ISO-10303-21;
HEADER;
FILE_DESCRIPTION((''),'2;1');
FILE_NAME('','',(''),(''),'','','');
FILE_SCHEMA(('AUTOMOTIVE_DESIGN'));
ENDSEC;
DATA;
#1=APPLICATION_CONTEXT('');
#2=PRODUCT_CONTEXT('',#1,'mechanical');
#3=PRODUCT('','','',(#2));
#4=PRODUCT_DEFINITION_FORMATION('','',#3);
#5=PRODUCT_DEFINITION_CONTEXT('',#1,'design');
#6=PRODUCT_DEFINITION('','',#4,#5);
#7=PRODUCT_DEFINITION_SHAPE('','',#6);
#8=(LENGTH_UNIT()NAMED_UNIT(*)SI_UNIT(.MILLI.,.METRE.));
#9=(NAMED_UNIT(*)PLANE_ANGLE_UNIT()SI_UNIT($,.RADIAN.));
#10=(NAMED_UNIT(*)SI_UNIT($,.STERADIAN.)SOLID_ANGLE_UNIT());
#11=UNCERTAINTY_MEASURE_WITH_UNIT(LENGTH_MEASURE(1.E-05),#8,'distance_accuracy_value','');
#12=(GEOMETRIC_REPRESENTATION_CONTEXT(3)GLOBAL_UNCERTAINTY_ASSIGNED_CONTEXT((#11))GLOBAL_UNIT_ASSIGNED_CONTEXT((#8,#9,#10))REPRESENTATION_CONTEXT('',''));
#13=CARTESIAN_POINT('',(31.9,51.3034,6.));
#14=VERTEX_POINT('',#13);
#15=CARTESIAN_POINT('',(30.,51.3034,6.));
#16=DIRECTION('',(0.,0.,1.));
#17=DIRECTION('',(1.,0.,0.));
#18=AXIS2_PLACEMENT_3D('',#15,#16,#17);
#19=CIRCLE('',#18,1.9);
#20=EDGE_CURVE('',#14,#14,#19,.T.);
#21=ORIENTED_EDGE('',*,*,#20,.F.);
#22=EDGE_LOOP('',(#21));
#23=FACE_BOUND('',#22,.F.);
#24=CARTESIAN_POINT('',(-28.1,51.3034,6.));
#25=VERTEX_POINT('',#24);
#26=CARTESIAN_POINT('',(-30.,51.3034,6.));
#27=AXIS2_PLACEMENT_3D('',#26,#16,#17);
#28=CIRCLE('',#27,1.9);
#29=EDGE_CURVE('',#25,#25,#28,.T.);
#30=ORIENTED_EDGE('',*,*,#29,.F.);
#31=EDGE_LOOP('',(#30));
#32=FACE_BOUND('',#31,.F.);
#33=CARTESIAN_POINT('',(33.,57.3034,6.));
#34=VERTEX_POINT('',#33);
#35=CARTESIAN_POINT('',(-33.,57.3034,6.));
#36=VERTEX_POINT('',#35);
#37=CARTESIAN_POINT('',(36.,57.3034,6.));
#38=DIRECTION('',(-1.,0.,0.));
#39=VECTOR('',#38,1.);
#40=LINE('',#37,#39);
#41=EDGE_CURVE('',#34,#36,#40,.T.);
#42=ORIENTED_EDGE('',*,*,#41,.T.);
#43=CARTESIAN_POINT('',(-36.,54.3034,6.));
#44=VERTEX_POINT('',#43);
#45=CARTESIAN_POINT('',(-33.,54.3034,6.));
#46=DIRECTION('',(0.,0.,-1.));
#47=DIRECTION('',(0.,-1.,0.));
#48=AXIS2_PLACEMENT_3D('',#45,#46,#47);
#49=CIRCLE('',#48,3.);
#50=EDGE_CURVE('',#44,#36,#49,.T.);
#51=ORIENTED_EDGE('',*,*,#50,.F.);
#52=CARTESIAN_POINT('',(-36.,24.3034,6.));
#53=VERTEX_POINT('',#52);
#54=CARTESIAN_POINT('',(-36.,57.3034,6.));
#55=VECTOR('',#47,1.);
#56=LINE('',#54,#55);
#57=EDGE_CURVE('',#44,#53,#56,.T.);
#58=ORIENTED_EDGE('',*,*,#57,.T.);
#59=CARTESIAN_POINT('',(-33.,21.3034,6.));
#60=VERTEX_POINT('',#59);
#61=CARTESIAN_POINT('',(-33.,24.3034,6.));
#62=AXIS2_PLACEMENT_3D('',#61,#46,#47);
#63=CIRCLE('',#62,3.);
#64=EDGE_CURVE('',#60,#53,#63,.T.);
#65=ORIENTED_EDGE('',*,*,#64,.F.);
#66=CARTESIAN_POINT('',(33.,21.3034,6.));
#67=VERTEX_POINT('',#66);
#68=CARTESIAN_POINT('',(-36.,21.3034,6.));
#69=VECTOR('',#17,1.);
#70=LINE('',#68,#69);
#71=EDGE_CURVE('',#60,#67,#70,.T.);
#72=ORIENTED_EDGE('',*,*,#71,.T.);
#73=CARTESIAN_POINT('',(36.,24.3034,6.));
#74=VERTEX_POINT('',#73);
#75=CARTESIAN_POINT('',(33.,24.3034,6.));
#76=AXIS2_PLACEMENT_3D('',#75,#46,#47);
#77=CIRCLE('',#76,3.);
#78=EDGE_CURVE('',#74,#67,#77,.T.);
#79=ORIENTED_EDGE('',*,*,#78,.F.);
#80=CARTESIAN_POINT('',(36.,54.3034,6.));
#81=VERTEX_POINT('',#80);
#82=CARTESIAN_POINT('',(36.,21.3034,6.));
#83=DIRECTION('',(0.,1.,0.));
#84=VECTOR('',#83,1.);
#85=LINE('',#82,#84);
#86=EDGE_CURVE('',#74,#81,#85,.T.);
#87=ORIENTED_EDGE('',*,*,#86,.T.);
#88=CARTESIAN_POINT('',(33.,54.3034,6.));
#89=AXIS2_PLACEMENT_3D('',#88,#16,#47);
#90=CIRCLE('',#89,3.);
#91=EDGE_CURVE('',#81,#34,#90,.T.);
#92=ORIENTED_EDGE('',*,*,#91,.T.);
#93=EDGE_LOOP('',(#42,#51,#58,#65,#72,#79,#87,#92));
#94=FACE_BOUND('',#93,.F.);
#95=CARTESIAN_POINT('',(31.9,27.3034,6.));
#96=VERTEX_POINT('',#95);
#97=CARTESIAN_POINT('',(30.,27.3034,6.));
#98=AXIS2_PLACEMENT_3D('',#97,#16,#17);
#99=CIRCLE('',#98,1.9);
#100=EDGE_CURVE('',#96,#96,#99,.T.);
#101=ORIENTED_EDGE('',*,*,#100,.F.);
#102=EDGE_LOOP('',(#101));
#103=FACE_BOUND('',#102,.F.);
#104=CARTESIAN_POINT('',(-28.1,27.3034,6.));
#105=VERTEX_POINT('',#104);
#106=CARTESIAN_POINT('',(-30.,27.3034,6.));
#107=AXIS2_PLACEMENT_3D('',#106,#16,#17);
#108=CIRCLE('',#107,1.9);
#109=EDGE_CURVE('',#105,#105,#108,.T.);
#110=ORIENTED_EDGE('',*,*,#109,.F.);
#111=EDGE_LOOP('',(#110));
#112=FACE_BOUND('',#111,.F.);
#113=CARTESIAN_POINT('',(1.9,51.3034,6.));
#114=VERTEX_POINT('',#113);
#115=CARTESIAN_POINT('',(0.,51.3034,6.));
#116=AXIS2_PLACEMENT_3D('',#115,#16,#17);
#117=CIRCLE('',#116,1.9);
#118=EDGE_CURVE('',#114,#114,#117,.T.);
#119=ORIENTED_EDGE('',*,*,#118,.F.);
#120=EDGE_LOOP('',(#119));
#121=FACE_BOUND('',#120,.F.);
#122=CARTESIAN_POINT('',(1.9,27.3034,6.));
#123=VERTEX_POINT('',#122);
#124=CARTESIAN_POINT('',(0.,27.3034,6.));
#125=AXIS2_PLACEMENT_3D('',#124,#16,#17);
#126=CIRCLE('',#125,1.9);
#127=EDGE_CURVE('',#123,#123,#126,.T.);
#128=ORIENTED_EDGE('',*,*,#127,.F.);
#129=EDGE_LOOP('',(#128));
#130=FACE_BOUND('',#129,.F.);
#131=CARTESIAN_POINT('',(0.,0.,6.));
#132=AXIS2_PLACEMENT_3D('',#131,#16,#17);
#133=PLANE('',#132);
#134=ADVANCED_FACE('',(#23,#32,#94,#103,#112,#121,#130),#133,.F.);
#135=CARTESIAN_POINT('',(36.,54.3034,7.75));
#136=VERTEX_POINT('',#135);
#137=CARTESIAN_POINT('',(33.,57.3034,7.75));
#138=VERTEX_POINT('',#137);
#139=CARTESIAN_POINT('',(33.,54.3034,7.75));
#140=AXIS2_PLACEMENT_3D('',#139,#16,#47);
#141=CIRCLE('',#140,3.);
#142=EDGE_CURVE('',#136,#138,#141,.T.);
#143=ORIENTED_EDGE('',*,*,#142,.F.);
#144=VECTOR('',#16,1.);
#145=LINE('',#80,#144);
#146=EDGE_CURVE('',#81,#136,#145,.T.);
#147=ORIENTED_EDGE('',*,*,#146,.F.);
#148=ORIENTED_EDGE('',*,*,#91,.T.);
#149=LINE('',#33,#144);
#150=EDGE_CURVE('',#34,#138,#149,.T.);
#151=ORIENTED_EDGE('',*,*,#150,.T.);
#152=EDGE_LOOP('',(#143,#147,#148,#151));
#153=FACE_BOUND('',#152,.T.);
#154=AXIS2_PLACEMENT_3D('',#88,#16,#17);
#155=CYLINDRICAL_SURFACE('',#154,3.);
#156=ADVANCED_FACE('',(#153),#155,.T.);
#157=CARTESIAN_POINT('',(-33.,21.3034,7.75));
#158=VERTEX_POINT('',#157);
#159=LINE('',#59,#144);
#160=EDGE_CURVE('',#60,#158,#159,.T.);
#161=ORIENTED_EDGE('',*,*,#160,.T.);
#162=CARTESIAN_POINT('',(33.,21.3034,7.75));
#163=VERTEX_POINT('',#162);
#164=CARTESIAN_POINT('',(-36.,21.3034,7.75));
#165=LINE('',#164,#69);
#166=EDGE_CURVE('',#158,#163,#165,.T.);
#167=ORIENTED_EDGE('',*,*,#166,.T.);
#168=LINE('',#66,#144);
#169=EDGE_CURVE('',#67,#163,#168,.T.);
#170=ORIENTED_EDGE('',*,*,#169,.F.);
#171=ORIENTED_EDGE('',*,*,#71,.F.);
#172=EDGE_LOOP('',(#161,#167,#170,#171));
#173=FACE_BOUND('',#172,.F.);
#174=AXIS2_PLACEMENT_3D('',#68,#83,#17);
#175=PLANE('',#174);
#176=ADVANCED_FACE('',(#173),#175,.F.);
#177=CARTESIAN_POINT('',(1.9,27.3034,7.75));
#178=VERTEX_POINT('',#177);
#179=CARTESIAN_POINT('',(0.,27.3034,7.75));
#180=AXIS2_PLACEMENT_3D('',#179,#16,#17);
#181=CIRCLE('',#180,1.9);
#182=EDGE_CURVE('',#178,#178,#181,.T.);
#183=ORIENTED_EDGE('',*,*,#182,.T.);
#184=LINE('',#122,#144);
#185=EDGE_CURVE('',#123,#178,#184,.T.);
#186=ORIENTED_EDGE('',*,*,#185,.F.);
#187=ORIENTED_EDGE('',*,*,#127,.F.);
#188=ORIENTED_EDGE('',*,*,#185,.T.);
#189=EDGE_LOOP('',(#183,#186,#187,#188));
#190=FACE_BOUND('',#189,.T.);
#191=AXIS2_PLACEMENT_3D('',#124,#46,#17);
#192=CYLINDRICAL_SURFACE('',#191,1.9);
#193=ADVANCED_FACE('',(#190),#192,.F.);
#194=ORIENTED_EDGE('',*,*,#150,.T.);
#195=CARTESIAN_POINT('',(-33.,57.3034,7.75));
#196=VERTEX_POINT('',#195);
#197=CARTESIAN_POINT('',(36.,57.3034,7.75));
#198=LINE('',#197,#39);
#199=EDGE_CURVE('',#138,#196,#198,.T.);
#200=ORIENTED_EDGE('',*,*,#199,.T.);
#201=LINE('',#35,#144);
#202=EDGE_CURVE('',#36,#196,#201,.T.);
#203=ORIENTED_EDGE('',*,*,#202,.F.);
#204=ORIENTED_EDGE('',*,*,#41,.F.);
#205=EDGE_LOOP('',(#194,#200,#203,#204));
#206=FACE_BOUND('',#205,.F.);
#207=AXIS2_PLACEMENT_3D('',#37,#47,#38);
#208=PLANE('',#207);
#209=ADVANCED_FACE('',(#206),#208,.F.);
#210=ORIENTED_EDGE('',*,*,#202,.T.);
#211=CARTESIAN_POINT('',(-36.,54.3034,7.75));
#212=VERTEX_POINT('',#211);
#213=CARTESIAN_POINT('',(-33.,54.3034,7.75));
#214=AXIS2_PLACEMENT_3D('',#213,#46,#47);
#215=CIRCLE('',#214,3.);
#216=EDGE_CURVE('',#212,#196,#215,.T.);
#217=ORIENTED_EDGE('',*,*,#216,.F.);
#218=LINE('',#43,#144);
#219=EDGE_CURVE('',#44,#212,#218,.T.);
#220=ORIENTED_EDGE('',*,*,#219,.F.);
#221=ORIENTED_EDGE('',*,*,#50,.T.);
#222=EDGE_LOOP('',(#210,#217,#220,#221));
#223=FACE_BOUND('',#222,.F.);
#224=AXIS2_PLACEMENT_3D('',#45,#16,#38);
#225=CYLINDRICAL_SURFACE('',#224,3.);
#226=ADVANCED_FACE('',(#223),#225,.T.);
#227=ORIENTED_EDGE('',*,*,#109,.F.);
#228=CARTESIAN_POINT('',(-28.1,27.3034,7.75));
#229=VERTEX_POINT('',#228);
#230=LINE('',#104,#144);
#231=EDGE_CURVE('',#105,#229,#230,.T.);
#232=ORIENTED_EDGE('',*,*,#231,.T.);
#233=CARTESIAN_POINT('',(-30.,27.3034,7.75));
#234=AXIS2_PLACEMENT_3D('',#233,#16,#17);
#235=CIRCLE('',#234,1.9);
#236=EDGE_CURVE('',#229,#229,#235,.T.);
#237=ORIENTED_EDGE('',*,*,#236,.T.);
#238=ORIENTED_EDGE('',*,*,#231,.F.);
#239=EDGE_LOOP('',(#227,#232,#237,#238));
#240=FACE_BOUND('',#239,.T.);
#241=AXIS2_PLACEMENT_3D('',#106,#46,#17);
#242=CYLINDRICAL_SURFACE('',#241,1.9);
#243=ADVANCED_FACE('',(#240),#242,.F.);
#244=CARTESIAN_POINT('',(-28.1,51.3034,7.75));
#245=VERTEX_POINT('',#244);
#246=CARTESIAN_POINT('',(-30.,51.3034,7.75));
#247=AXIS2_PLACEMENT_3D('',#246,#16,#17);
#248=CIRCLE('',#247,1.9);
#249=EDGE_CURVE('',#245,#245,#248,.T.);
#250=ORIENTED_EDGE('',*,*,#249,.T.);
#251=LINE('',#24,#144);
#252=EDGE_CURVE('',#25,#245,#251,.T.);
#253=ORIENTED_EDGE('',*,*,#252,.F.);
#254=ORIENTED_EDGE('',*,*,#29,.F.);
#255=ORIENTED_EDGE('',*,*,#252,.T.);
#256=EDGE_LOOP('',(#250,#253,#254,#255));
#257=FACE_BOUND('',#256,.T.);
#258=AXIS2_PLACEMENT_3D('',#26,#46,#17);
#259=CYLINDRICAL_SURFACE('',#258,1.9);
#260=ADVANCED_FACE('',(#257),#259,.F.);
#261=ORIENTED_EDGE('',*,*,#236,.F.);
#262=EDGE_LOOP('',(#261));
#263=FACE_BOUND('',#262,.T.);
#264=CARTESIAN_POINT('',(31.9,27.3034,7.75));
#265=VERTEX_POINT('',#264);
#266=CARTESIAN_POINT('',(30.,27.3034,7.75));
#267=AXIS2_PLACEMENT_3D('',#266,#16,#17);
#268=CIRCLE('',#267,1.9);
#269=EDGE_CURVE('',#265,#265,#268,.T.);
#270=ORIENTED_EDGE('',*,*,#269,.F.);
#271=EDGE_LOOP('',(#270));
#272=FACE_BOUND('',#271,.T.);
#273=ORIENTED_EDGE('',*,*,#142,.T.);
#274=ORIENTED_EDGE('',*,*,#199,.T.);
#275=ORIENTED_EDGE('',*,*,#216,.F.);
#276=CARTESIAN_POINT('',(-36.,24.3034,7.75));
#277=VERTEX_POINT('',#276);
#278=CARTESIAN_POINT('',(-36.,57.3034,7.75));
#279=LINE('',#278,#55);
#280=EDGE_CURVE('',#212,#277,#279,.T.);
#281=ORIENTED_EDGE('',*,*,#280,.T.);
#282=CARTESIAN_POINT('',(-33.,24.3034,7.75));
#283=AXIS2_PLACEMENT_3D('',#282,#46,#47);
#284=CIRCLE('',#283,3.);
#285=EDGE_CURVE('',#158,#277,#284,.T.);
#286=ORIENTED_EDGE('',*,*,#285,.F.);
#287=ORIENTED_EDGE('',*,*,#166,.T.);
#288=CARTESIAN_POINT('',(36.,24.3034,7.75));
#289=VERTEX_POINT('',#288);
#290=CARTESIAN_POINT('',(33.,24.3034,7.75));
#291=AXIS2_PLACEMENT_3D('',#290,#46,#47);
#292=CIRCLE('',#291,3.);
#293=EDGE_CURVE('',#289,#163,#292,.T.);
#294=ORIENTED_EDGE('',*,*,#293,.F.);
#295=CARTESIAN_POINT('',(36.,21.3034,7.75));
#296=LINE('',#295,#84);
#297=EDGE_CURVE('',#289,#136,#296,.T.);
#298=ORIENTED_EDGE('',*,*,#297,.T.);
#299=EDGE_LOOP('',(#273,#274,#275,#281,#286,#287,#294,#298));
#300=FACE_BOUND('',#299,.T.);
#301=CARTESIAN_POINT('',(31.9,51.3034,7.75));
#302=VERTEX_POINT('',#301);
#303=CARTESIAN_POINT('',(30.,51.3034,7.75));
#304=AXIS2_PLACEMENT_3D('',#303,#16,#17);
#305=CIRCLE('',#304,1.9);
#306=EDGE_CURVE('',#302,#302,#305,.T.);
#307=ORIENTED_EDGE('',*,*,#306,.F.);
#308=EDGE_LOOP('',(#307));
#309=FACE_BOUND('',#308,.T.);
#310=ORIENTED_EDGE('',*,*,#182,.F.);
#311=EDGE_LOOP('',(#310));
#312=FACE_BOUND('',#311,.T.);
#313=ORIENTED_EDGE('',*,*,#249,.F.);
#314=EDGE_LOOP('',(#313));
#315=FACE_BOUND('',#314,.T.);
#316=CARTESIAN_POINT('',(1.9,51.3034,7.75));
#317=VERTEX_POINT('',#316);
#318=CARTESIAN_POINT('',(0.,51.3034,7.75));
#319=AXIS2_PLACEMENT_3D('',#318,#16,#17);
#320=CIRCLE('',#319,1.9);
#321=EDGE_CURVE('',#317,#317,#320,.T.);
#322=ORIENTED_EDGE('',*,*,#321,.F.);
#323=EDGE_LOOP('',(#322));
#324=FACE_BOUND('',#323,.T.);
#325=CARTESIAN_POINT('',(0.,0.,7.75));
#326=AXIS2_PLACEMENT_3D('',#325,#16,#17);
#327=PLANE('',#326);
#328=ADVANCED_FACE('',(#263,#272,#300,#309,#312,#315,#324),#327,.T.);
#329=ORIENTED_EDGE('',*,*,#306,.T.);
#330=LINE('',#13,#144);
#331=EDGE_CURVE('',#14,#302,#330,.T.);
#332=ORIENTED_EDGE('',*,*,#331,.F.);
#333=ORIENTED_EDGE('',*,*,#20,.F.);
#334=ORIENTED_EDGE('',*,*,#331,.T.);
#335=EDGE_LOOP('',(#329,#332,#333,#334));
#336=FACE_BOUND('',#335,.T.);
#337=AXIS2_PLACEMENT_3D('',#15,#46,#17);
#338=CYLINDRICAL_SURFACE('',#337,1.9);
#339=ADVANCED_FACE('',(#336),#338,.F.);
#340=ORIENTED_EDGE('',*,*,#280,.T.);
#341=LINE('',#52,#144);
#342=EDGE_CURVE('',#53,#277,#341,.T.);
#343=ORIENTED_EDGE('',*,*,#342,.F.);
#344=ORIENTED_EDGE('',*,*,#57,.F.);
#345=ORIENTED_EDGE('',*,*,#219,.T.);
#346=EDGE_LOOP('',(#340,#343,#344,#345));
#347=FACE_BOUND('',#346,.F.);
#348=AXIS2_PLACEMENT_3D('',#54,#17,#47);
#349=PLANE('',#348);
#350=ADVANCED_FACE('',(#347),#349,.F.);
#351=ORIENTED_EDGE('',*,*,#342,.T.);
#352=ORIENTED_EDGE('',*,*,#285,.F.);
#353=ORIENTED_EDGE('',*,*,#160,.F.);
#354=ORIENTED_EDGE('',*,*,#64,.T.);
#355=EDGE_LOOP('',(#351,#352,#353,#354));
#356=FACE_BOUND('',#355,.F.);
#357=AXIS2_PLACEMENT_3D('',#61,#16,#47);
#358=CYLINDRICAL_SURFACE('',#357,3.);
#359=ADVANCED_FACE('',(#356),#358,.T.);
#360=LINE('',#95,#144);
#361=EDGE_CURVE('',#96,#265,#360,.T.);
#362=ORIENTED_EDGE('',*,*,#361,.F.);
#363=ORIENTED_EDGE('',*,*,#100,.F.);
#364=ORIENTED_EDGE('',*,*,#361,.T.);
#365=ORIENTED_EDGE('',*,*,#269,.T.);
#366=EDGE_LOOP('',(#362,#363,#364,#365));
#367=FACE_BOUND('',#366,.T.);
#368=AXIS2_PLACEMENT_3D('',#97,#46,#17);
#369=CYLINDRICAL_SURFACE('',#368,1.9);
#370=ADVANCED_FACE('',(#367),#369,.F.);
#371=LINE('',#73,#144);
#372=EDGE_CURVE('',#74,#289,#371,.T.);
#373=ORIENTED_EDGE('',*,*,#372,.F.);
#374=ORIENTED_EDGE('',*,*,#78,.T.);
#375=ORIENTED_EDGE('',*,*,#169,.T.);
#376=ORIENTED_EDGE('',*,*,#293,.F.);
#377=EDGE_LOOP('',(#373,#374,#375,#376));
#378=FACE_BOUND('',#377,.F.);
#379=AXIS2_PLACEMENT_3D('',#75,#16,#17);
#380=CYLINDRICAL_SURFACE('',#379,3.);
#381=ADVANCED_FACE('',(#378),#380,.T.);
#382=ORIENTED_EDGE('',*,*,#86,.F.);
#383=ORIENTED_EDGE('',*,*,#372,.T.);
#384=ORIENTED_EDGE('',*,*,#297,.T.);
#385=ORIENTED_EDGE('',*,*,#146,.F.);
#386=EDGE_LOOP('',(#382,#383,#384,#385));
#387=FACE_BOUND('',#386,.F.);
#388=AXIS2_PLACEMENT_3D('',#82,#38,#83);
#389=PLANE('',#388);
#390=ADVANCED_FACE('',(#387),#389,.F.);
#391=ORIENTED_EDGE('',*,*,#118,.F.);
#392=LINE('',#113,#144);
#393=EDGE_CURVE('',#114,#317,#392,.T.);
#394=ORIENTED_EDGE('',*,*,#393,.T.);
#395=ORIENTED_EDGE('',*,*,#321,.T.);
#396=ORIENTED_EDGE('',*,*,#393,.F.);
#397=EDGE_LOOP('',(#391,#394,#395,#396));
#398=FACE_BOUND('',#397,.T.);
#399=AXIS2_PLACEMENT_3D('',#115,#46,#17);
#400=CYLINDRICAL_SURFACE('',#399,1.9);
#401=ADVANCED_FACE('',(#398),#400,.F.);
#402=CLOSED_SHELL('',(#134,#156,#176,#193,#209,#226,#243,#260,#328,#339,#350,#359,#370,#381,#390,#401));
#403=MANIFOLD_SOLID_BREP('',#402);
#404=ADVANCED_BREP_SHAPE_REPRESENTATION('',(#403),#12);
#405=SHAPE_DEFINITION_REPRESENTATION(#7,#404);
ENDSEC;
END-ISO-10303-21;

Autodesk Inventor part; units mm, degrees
ref_plane "YZ Plane" through (0, 0, 0) normal (1, 0, 0) x (0, 1, 0)
ref_plane "XZ Plane" through (0, 0, 0) normal (0, 1, 0) x (-1, 0, 0)
ref_plane "XY Plane" through (0, 0, 0) normal (0, 0, 1) x (1, 0, 0)
ref_plane "Work Plane1" through (0, 0, 6) normal (0, 0, 1) x (1, 0, 0)
sketch "Sketch2" plane through (0, 0, 6) normal (0, 0, 1) x (1, 0, 0)
  circle A0 centre (30, 51.3034) radius 1.5 construction
  circle A1 centre (30, 27.3034) radius 1.5 construction
  circle A2 centre (0, 51.3034) radius 1.5 construction
  circle A3 centre (0, 27.3034) radius 1.5 construction
  circle A4 centre (-30, 51.3034) radius 1.5 construction
  circle A5 centre (-30, 27.3034) radius 1.5 construction
  line L0 (36, 57.3034) -> (-36, 57.3034)
  line L1 (-36, 57.3034) -> (-36, 21.3034)
  line L2 (-36, 21.3034) -> (36, 21.3034)
  line L3 (36, 21.3034) -> (36, 57.3034)
  circle A6 centre (30, 51.3034) radius 1.9
  circle A7 centre (30, 27.3034) radius 1.9
  circle A8 centre (0, 51.3034) radius 1.9
  circle A9 centre (0, 27.3034) radius 1.9
  circle A10 centre (-30, 51.3034) radius 1.9
  circle A11 centre (-30, 27.3034) radius 1.9
  point P0 (0, 0)
  dimension "d0" = 6
  dimension "d1" = 6
  dimension "d2" = 6
  dimension "d3" = 6
  dimension "d4" = 0.4
  dimension "d5" = 0.4
  dimension "d6" = 0.4
  dimension "d7" = 0.4
  dimension "d8" = 0.4
  dimension "d9" = 0.4
extrude "Extrusion1" add sketch "Sketch2" along normal blind 1.75
fillet "Fillet1" radius 3 4 edges at (-36, 57.3034, 6.875) (-36, 21.3034, 6.875) (36, 57.3034, 6.875) (36, 21.3034, 6.875)
properties part number "Board"
